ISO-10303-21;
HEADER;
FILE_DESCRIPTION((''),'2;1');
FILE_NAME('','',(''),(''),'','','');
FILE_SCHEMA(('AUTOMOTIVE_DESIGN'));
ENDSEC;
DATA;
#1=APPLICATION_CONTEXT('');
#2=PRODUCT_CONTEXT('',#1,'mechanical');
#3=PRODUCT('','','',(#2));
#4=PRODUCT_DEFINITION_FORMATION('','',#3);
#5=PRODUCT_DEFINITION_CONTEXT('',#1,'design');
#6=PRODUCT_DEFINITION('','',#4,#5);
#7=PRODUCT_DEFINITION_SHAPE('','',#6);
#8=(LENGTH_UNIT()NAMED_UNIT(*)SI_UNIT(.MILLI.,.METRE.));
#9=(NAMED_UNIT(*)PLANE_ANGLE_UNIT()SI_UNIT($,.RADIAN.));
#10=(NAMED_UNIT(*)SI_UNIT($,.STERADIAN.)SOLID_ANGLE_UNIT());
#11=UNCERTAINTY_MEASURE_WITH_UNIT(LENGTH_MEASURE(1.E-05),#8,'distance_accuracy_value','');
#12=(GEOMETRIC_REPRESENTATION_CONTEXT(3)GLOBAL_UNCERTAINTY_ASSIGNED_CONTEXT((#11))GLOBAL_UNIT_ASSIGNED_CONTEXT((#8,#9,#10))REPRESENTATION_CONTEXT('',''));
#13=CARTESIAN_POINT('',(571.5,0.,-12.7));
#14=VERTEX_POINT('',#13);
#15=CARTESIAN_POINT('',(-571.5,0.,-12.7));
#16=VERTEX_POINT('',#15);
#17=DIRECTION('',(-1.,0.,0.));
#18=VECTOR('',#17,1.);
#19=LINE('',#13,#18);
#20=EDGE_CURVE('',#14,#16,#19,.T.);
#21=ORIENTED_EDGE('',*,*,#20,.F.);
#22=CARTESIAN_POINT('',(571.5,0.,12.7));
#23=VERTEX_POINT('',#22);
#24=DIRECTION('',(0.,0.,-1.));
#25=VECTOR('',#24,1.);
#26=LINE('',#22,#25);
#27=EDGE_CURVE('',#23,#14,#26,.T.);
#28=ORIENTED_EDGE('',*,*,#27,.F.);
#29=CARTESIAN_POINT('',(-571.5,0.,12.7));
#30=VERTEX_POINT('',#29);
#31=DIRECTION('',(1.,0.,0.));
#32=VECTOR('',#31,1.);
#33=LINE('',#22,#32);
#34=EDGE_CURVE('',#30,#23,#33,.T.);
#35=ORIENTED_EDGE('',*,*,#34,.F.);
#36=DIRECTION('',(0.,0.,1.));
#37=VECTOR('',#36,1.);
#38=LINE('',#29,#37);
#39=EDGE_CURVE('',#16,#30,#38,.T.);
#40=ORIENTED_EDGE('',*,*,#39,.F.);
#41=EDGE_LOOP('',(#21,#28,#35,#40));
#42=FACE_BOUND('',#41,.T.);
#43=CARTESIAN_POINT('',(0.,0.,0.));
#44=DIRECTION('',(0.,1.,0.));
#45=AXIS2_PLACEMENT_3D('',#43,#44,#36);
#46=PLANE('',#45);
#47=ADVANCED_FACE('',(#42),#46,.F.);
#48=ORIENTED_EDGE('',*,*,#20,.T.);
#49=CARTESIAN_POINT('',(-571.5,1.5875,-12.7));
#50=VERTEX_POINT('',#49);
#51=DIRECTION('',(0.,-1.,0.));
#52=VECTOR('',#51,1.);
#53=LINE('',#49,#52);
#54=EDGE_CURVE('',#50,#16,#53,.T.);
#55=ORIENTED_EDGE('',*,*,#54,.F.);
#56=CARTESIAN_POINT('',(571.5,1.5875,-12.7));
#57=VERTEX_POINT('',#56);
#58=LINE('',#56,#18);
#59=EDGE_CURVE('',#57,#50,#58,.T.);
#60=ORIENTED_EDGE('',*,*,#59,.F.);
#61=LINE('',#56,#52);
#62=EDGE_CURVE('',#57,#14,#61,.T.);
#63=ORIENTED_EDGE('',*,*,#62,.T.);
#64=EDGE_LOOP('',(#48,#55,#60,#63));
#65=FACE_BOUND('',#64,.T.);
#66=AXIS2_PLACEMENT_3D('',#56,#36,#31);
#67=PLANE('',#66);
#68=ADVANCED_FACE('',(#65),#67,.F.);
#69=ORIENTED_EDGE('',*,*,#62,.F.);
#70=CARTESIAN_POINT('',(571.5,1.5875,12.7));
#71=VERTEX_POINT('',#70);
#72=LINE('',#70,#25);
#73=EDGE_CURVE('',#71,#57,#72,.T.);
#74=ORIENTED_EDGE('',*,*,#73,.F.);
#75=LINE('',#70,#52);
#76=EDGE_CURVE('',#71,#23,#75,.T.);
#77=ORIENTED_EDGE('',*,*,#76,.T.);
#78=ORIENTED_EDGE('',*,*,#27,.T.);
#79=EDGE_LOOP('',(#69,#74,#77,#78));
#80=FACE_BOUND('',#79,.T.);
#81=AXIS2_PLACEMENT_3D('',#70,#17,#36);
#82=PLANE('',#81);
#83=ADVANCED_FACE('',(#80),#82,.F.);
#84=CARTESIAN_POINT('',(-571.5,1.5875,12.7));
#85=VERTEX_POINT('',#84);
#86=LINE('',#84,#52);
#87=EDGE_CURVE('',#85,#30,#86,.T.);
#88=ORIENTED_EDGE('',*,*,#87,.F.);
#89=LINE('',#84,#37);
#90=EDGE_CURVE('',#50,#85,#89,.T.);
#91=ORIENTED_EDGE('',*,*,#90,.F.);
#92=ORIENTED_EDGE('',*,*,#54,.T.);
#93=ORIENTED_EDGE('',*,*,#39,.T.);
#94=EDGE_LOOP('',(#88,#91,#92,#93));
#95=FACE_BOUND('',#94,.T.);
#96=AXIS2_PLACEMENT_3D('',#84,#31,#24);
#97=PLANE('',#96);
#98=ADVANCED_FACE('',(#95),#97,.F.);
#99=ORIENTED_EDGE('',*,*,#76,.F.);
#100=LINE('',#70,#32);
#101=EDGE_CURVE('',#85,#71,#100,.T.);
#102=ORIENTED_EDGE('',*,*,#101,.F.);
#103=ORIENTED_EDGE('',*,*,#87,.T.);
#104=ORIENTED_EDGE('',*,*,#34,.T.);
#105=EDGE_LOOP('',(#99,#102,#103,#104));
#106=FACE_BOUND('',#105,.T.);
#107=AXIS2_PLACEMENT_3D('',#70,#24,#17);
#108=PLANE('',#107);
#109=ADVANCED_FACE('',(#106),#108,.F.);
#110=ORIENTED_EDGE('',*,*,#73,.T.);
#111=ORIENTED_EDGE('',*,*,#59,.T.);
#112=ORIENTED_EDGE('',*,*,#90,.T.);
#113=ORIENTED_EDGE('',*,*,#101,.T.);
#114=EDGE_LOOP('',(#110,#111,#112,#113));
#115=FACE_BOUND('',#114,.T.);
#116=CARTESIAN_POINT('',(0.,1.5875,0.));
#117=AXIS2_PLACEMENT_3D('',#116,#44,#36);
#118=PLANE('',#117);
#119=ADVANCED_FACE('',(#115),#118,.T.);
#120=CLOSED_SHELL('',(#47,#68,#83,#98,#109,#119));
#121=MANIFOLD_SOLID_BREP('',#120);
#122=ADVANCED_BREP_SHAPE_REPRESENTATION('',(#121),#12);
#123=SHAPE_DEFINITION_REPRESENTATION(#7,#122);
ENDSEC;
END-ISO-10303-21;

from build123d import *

# Parameters (mm, degrees)
SKETCH1_W           = 1143
SKETCH1_H           = 25.4
BOSS_EXTRUDE1_DEPTH = 1.5875


with BuildPart() as part:
    # Sketch1 → Boss-Extrude1 (new body)
    with BuildSketch(Plane(origin=(0, 0, 0), x_dir=(1, 0, 0), z_dir=(0, 1, 0))):
        Rectangle(SKETCH1_W, SKETCH1_H)
    extrude(amount=BOSS_EXTRUDE1_DEPTH)


solid = part.part
